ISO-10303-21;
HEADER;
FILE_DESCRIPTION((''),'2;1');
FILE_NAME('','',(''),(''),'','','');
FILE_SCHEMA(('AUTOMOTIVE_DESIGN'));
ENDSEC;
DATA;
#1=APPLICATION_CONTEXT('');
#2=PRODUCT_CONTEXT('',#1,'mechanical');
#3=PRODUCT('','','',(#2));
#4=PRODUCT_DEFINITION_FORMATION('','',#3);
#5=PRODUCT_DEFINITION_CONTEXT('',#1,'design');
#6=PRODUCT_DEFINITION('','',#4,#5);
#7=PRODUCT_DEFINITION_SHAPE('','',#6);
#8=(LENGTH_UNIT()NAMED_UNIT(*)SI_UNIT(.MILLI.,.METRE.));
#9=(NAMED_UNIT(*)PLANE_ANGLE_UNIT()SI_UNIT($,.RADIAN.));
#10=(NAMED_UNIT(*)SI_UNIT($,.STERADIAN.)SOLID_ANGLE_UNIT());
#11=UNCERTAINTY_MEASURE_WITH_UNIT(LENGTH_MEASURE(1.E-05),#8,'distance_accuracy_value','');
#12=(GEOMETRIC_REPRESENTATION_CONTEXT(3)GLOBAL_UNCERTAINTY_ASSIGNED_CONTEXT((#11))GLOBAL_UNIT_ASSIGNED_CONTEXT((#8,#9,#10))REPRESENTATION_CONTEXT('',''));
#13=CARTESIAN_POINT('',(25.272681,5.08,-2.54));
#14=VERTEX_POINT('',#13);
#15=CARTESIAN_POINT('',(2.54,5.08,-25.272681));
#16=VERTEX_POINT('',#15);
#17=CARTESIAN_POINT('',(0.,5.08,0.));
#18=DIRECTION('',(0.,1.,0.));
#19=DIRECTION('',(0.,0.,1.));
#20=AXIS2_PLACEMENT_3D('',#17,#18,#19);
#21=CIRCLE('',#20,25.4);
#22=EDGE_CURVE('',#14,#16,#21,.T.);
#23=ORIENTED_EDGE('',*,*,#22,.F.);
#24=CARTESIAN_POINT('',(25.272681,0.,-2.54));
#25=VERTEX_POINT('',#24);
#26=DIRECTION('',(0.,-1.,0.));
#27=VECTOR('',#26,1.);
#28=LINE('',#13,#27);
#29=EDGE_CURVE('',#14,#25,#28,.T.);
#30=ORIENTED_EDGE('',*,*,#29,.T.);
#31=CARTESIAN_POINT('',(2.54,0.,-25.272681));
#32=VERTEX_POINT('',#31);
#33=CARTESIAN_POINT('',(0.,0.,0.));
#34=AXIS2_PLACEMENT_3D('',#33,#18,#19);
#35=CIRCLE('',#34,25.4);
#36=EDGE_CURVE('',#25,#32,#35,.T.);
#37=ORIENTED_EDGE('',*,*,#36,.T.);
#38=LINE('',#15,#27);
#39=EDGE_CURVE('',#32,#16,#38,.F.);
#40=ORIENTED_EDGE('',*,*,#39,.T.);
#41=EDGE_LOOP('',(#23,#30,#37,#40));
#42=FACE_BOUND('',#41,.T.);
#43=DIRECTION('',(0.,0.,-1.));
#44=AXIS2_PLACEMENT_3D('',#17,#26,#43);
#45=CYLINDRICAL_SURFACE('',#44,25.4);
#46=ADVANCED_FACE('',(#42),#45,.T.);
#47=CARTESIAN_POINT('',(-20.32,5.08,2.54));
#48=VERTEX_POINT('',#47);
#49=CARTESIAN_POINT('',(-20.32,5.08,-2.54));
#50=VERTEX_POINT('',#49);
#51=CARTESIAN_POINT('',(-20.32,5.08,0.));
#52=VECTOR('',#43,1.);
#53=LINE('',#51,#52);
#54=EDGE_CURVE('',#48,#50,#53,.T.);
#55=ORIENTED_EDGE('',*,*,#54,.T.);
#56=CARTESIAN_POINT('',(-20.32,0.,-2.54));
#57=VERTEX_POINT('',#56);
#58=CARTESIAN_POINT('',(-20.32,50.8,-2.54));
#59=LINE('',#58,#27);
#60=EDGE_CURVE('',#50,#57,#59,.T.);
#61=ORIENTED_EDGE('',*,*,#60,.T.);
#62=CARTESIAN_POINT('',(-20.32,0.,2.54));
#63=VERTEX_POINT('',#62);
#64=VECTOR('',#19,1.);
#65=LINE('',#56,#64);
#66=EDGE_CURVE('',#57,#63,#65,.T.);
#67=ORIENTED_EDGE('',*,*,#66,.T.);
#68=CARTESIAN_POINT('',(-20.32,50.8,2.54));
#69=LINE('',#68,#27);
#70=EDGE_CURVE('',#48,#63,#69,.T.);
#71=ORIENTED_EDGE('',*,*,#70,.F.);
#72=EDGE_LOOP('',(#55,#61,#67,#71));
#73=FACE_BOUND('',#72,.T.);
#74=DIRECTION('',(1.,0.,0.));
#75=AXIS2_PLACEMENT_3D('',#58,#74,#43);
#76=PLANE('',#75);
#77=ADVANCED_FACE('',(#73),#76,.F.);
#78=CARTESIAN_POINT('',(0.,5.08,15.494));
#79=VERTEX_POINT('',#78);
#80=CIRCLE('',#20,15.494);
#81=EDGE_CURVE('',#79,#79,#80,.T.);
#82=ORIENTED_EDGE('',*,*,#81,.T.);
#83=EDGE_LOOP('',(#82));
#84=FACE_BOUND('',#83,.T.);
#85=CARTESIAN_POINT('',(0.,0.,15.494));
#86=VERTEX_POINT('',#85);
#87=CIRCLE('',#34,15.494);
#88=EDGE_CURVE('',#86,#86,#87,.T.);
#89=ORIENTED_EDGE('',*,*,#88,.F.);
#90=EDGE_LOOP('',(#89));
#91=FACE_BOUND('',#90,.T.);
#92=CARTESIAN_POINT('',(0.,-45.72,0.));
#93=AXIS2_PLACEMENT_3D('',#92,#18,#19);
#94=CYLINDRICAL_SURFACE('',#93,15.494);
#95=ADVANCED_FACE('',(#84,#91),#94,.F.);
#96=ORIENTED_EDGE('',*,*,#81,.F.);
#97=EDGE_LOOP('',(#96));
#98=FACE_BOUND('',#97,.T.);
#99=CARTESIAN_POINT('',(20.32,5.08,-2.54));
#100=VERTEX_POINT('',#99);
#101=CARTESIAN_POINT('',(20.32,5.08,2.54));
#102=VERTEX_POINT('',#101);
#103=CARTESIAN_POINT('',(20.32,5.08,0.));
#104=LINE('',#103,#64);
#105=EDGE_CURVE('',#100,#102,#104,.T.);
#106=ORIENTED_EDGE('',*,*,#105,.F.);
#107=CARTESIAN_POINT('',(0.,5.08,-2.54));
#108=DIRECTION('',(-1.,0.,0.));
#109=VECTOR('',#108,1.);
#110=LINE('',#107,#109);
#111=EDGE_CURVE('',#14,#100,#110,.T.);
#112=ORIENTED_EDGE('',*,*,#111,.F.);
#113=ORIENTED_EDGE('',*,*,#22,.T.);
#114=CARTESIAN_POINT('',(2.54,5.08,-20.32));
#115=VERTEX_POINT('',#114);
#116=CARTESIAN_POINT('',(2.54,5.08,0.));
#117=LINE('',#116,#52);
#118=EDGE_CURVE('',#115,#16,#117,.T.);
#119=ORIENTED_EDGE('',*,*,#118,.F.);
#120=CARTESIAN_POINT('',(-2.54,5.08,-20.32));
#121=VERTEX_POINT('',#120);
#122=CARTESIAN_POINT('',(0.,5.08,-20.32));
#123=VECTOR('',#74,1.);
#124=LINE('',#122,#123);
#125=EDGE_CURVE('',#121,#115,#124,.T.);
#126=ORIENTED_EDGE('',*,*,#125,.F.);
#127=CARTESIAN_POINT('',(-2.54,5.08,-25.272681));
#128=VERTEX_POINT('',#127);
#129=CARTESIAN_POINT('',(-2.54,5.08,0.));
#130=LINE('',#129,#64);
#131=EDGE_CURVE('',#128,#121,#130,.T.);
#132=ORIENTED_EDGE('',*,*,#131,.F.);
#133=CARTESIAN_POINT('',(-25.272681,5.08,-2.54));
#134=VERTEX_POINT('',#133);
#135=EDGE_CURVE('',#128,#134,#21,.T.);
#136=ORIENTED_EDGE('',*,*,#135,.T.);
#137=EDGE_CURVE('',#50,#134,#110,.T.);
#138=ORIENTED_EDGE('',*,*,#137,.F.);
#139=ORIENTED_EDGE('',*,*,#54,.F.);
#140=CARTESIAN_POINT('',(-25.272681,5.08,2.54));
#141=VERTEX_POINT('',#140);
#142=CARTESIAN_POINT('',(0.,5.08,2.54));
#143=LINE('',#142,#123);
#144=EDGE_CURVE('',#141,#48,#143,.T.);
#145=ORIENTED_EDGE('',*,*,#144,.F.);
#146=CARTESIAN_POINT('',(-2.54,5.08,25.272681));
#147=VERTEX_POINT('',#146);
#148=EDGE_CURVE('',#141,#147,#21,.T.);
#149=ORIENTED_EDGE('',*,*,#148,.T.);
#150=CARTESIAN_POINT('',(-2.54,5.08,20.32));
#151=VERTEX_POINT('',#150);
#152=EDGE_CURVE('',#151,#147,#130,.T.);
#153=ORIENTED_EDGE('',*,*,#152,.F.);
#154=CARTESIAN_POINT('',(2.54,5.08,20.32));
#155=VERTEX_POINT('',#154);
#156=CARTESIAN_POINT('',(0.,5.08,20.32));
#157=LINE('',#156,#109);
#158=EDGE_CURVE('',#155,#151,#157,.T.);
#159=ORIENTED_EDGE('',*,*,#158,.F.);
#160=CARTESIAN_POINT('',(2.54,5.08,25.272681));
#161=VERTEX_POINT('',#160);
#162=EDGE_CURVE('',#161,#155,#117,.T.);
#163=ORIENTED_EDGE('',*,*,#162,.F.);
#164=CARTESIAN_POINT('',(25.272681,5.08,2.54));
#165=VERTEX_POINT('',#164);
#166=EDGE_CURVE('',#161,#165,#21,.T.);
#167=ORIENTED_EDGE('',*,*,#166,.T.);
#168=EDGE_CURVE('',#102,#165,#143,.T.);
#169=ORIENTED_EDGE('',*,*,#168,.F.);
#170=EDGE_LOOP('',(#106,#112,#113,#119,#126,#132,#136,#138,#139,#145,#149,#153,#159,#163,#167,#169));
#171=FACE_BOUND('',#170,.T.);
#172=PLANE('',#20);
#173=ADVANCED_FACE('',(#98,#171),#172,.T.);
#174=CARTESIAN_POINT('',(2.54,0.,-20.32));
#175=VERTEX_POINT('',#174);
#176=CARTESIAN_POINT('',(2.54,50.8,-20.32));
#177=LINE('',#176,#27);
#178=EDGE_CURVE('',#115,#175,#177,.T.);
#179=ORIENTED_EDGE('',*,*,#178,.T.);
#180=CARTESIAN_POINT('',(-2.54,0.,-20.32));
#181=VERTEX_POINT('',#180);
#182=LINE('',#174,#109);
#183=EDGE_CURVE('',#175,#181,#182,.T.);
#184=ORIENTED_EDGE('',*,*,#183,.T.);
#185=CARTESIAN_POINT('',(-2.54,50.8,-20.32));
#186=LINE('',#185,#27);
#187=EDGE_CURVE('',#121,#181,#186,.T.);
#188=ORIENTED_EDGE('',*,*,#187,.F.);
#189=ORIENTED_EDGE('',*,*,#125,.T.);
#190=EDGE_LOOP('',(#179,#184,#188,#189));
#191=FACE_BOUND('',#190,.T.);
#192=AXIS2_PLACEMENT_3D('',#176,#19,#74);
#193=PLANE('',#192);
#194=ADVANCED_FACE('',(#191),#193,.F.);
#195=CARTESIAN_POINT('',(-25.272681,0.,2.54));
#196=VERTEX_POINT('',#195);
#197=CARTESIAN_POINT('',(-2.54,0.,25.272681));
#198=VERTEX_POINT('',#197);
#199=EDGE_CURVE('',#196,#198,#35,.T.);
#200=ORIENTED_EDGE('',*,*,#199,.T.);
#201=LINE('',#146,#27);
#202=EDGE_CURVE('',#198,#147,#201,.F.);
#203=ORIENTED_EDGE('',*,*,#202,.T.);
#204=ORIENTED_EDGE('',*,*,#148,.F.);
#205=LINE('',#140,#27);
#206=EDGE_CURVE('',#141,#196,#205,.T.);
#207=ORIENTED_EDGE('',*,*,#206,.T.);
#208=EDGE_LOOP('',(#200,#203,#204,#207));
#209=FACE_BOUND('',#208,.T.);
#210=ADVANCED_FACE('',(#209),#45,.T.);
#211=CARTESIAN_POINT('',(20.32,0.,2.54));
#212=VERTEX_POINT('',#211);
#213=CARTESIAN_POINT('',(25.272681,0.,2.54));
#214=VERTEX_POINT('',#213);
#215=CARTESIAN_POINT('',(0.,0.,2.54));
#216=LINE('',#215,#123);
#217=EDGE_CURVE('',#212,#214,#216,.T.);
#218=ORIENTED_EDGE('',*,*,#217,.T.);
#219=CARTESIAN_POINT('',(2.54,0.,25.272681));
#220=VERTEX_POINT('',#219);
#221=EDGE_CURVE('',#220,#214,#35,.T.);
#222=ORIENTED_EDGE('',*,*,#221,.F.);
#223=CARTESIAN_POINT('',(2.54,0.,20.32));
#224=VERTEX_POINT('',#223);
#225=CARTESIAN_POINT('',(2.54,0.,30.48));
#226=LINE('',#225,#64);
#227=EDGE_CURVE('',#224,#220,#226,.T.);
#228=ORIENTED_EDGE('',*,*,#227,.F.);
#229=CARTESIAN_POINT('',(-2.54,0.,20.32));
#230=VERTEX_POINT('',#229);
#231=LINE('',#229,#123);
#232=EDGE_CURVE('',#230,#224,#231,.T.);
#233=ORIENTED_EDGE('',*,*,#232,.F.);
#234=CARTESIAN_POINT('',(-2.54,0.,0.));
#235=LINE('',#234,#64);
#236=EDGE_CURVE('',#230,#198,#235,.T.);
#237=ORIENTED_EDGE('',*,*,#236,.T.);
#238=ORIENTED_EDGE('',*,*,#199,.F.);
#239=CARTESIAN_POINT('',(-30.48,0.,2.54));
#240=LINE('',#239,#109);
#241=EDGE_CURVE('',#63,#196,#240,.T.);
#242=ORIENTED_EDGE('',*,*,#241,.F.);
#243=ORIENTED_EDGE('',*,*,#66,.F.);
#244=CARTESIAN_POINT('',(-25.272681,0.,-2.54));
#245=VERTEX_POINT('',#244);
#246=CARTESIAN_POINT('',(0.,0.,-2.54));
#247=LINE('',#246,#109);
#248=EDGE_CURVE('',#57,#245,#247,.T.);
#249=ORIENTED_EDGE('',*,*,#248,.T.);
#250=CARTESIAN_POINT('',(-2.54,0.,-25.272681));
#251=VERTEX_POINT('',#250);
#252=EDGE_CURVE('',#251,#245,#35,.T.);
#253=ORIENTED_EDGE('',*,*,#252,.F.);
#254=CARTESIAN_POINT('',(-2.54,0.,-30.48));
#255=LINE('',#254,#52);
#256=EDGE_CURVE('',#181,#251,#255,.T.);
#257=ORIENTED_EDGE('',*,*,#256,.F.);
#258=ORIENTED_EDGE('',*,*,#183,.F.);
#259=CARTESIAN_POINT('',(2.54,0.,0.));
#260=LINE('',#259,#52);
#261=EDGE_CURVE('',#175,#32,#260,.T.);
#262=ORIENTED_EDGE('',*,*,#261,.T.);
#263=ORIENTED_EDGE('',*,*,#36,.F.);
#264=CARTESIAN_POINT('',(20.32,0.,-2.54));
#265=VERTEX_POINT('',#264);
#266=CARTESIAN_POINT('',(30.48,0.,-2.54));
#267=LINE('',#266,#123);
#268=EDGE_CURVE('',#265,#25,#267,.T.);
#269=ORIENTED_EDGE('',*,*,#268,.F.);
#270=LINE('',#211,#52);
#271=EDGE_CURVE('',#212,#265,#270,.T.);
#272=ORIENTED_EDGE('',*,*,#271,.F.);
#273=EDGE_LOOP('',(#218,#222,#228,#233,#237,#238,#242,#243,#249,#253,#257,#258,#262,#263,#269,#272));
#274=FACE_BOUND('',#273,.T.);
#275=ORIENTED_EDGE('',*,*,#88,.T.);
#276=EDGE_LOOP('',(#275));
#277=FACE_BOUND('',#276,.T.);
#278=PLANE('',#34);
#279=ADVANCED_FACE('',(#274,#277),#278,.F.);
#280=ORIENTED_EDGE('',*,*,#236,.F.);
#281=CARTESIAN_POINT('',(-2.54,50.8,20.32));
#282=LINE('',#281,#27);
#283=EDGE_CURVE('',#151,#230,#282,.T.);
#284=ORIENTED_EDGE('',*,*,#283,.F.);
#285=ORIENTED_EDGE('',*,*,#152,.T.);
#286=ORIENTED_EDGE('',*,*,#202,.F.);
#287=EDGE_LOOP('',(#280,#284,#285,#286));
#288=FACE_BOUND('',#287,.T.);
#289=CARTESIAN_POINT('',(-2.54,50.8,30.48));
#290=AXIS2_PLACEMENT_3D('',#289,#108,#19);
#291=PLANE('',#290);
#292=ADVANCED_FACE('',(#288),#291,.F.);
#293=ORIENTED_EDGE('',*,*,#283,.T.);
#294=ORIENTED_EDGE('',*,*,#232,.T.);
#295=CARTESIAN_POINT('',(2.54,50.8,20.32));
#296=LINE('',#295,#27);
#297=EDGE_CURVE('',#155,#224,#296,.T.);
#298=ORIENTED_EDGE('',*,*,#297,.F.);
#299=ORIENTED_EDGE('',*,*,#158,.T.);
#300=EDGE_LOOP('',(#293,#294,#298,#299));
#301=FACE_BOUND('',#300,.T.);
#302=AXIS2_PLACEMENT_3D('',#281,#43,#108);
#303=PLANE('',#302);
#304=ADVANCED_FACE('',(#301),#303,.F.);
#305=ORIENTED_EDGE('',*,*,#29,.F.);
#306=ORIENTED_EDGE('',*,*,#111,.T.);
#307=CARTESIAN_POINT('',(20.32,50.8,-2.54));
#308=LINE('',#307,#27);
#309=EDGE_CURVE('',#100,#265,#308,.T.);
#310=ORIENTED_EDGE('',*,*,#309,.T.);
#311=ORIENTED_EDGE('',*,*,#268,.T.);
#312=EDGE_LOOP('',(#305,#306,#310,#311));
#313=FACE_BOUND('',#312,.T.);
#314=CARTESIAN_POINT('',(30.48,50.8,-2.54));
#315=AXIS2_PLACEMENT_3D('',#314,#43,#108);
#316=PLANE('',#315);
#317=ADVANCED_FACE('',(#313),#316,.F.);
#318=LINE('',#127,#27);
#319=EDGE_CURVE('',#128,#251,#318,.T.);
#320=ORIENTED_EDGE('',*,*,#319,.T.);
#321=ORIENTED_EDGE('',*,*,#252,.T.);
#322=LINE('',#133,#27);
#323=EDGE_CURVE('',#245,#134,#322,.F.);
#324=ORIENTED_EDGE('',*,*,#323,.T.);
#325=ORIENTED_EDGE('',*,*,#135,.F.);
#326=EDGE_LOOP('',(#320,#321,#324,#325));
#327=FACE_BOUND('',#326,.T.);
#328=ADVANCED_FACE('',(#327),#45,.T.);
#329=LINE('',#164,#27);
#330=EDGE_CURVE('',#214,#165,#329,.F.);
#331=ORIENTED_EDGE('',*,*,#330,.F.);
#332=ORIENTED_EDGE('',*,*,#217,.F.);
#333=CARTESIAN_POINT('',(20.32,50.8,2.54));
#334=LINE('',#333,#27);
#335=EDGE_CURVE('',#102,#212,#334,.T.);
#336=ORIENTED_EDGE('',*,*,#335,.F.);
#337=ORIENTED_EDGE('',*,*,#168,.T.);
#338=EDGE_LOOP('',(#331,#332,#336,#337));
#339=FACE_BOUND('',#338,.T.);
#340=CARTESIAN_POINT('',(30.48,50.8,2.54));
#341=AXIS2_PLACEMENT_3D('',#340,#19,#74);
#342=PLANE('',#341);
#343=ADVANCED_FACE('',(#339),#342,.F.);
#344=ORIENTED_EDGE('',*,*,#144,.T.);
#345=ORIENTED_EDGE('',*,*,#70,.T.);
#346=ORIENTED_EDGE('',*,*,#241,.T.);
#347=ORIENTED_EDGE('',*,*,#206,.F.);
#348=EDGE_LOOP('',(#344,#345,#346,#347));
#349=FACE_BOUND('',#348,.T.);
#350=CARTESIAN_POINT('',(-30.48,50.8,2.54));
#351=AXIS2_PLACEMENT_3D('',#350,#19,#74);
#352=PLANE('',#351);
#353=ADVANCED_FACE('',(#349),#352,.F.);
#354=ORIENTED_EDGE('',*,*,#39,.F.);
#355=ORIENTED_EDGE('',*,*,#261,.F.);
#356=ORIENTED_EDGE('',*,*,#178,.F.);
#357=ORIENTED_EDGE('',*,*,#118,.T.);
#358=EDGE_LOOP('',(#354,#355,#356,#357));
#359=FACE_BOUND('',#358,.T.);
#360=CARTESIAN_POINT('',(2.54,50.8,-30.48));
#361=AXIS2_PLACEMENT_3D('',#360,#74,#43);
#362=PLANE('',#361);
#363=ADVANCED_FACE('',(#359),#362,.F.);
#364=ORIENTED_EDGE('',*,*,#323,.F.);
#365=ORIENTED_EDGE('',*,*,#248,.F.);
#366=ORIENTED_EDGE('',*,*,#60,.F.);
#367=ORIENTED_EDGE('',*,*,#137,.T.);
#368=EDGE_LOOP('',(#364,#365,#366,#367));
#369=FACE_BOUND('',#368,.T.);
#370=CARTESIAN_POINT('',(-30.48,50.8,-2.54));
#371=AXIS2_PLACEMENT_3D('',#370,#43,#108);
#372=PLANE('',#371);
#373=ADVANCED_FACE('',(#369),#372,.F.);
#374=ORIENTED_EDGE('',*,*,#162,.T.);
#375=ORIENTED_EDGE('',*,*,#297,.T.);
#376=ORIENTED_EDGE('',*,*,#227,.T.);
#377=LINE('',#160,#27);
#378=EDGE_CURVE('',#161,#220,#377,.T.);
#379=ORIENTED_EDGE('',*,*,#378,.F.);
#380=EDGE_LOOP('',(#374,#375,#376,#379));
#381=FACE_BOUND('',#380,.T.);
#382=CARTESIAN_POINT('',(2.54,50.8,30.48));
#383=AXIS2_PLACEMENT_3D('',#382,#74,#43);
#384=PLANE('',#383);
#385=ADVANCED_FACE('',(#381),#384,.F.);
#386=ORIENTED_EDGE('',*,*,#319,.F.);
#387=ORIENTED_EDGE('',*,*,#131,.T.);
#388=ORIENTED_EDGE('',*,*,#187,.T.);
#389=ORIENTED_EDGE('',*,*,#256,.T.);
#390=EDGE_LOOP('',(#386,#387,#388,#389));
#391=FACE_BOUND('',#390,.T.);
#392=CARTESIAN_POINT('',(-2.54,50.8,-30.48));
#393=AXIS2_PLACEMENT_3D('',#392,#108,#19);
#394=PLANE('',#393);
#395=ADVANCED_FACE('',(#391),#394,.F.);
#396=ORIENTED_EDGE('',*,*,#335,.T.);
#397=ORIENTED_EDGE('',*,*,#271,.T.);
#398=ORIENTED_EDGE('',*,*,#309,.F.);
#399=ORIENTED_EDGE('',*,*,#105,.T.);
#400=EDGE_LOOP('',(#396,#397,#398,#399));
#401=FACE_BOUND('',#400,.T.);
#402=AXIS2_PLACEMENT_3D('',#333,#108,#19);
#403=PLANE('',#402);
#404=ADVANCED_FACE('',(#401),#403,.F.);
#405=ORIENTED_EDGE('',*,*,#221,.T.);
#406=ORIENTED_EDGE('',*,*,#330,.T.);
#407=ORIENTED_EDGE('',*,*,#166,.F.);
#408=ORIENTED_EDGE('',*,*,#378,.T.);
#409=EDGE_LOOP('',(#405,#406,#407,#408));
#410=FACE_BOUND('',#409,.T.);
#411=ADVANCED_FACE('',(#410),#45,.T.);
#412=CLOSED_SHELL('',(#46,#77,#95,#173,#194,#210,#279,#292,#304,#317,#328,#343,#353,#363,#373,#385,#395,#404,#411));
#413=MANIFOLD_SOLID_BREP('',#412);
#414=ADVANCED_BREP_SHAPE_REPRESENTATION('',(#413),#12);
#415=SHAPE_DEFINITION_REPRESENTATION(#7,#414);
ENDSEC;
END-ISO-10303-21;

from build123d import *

# Parameters (mm, degrees)
SKETCH1_R           = 25.4
BOSS_EXTRUDE1_DEPTH = 5.08
SKETCH2_R           = 15.494
CUT_EXTRUDE1_DEPTH  = 50.8
SKETCH3_W           = 5.08
SKETCH3_H           = 10.16
CUT_EXTRUDE2_DEPTH  = 50.8
CIRPATTERN1_COUNT   = 4


with BuildPart() as part:
    # Sketch1 → Boss-Extrude1 (new body)
    with BuildSketch(Plane(origin=(0, 0, 0), x_dir=(1, 0, 0), z_dir=(0, 1, 0))):
        with Locations(Location((0, 0, 0), (0, 0, 270))):
            Circle(SKETCH1_R)
    extrude(amount=BOSS_EXTRUDE1_DEPTH)

    # Sketch2 → Cut-Extrude1 (cut)
    with BuildSketch(Plane(origin=(0, 5.08, 0), x_dir=(1, 0, 0), z_dir=(0, 1, 0))):
        with Locations(Location((0, 0, 0), (0, 0, 270))):
            Circle(SKETCH2_R)
    extrude(amount=-CUT_EXTRUDE1_DEPTH, mode=Mode.SUBTRACT)

    # Sketch3 → Cut-Extrude2 (cut)
    with BuildSketch(Plane.XZ):
        with Locations((0, -25.4)):
            Rectangle(SKETCH3_W, SKETCH3_H)
    cut_extrude2 = extrude(amount=-CUT_EXTRUDE2_DEPTH, mode=Mode.SUBTRACT)

    # CirPattern1: Cut-Extrude2 ×4 about axis
    cirpattern1_axis = Axis((0, 0, 0), (0, 1, 0))
    for i in range(1, CIRPATTERN1_COUNT):
        add(cut_extrude2.rotate(cirpattern1_axis, i * 360 / CIRPATTERN1_COUNT), mode=Mode.SUBTRACT)


solid = part.part
